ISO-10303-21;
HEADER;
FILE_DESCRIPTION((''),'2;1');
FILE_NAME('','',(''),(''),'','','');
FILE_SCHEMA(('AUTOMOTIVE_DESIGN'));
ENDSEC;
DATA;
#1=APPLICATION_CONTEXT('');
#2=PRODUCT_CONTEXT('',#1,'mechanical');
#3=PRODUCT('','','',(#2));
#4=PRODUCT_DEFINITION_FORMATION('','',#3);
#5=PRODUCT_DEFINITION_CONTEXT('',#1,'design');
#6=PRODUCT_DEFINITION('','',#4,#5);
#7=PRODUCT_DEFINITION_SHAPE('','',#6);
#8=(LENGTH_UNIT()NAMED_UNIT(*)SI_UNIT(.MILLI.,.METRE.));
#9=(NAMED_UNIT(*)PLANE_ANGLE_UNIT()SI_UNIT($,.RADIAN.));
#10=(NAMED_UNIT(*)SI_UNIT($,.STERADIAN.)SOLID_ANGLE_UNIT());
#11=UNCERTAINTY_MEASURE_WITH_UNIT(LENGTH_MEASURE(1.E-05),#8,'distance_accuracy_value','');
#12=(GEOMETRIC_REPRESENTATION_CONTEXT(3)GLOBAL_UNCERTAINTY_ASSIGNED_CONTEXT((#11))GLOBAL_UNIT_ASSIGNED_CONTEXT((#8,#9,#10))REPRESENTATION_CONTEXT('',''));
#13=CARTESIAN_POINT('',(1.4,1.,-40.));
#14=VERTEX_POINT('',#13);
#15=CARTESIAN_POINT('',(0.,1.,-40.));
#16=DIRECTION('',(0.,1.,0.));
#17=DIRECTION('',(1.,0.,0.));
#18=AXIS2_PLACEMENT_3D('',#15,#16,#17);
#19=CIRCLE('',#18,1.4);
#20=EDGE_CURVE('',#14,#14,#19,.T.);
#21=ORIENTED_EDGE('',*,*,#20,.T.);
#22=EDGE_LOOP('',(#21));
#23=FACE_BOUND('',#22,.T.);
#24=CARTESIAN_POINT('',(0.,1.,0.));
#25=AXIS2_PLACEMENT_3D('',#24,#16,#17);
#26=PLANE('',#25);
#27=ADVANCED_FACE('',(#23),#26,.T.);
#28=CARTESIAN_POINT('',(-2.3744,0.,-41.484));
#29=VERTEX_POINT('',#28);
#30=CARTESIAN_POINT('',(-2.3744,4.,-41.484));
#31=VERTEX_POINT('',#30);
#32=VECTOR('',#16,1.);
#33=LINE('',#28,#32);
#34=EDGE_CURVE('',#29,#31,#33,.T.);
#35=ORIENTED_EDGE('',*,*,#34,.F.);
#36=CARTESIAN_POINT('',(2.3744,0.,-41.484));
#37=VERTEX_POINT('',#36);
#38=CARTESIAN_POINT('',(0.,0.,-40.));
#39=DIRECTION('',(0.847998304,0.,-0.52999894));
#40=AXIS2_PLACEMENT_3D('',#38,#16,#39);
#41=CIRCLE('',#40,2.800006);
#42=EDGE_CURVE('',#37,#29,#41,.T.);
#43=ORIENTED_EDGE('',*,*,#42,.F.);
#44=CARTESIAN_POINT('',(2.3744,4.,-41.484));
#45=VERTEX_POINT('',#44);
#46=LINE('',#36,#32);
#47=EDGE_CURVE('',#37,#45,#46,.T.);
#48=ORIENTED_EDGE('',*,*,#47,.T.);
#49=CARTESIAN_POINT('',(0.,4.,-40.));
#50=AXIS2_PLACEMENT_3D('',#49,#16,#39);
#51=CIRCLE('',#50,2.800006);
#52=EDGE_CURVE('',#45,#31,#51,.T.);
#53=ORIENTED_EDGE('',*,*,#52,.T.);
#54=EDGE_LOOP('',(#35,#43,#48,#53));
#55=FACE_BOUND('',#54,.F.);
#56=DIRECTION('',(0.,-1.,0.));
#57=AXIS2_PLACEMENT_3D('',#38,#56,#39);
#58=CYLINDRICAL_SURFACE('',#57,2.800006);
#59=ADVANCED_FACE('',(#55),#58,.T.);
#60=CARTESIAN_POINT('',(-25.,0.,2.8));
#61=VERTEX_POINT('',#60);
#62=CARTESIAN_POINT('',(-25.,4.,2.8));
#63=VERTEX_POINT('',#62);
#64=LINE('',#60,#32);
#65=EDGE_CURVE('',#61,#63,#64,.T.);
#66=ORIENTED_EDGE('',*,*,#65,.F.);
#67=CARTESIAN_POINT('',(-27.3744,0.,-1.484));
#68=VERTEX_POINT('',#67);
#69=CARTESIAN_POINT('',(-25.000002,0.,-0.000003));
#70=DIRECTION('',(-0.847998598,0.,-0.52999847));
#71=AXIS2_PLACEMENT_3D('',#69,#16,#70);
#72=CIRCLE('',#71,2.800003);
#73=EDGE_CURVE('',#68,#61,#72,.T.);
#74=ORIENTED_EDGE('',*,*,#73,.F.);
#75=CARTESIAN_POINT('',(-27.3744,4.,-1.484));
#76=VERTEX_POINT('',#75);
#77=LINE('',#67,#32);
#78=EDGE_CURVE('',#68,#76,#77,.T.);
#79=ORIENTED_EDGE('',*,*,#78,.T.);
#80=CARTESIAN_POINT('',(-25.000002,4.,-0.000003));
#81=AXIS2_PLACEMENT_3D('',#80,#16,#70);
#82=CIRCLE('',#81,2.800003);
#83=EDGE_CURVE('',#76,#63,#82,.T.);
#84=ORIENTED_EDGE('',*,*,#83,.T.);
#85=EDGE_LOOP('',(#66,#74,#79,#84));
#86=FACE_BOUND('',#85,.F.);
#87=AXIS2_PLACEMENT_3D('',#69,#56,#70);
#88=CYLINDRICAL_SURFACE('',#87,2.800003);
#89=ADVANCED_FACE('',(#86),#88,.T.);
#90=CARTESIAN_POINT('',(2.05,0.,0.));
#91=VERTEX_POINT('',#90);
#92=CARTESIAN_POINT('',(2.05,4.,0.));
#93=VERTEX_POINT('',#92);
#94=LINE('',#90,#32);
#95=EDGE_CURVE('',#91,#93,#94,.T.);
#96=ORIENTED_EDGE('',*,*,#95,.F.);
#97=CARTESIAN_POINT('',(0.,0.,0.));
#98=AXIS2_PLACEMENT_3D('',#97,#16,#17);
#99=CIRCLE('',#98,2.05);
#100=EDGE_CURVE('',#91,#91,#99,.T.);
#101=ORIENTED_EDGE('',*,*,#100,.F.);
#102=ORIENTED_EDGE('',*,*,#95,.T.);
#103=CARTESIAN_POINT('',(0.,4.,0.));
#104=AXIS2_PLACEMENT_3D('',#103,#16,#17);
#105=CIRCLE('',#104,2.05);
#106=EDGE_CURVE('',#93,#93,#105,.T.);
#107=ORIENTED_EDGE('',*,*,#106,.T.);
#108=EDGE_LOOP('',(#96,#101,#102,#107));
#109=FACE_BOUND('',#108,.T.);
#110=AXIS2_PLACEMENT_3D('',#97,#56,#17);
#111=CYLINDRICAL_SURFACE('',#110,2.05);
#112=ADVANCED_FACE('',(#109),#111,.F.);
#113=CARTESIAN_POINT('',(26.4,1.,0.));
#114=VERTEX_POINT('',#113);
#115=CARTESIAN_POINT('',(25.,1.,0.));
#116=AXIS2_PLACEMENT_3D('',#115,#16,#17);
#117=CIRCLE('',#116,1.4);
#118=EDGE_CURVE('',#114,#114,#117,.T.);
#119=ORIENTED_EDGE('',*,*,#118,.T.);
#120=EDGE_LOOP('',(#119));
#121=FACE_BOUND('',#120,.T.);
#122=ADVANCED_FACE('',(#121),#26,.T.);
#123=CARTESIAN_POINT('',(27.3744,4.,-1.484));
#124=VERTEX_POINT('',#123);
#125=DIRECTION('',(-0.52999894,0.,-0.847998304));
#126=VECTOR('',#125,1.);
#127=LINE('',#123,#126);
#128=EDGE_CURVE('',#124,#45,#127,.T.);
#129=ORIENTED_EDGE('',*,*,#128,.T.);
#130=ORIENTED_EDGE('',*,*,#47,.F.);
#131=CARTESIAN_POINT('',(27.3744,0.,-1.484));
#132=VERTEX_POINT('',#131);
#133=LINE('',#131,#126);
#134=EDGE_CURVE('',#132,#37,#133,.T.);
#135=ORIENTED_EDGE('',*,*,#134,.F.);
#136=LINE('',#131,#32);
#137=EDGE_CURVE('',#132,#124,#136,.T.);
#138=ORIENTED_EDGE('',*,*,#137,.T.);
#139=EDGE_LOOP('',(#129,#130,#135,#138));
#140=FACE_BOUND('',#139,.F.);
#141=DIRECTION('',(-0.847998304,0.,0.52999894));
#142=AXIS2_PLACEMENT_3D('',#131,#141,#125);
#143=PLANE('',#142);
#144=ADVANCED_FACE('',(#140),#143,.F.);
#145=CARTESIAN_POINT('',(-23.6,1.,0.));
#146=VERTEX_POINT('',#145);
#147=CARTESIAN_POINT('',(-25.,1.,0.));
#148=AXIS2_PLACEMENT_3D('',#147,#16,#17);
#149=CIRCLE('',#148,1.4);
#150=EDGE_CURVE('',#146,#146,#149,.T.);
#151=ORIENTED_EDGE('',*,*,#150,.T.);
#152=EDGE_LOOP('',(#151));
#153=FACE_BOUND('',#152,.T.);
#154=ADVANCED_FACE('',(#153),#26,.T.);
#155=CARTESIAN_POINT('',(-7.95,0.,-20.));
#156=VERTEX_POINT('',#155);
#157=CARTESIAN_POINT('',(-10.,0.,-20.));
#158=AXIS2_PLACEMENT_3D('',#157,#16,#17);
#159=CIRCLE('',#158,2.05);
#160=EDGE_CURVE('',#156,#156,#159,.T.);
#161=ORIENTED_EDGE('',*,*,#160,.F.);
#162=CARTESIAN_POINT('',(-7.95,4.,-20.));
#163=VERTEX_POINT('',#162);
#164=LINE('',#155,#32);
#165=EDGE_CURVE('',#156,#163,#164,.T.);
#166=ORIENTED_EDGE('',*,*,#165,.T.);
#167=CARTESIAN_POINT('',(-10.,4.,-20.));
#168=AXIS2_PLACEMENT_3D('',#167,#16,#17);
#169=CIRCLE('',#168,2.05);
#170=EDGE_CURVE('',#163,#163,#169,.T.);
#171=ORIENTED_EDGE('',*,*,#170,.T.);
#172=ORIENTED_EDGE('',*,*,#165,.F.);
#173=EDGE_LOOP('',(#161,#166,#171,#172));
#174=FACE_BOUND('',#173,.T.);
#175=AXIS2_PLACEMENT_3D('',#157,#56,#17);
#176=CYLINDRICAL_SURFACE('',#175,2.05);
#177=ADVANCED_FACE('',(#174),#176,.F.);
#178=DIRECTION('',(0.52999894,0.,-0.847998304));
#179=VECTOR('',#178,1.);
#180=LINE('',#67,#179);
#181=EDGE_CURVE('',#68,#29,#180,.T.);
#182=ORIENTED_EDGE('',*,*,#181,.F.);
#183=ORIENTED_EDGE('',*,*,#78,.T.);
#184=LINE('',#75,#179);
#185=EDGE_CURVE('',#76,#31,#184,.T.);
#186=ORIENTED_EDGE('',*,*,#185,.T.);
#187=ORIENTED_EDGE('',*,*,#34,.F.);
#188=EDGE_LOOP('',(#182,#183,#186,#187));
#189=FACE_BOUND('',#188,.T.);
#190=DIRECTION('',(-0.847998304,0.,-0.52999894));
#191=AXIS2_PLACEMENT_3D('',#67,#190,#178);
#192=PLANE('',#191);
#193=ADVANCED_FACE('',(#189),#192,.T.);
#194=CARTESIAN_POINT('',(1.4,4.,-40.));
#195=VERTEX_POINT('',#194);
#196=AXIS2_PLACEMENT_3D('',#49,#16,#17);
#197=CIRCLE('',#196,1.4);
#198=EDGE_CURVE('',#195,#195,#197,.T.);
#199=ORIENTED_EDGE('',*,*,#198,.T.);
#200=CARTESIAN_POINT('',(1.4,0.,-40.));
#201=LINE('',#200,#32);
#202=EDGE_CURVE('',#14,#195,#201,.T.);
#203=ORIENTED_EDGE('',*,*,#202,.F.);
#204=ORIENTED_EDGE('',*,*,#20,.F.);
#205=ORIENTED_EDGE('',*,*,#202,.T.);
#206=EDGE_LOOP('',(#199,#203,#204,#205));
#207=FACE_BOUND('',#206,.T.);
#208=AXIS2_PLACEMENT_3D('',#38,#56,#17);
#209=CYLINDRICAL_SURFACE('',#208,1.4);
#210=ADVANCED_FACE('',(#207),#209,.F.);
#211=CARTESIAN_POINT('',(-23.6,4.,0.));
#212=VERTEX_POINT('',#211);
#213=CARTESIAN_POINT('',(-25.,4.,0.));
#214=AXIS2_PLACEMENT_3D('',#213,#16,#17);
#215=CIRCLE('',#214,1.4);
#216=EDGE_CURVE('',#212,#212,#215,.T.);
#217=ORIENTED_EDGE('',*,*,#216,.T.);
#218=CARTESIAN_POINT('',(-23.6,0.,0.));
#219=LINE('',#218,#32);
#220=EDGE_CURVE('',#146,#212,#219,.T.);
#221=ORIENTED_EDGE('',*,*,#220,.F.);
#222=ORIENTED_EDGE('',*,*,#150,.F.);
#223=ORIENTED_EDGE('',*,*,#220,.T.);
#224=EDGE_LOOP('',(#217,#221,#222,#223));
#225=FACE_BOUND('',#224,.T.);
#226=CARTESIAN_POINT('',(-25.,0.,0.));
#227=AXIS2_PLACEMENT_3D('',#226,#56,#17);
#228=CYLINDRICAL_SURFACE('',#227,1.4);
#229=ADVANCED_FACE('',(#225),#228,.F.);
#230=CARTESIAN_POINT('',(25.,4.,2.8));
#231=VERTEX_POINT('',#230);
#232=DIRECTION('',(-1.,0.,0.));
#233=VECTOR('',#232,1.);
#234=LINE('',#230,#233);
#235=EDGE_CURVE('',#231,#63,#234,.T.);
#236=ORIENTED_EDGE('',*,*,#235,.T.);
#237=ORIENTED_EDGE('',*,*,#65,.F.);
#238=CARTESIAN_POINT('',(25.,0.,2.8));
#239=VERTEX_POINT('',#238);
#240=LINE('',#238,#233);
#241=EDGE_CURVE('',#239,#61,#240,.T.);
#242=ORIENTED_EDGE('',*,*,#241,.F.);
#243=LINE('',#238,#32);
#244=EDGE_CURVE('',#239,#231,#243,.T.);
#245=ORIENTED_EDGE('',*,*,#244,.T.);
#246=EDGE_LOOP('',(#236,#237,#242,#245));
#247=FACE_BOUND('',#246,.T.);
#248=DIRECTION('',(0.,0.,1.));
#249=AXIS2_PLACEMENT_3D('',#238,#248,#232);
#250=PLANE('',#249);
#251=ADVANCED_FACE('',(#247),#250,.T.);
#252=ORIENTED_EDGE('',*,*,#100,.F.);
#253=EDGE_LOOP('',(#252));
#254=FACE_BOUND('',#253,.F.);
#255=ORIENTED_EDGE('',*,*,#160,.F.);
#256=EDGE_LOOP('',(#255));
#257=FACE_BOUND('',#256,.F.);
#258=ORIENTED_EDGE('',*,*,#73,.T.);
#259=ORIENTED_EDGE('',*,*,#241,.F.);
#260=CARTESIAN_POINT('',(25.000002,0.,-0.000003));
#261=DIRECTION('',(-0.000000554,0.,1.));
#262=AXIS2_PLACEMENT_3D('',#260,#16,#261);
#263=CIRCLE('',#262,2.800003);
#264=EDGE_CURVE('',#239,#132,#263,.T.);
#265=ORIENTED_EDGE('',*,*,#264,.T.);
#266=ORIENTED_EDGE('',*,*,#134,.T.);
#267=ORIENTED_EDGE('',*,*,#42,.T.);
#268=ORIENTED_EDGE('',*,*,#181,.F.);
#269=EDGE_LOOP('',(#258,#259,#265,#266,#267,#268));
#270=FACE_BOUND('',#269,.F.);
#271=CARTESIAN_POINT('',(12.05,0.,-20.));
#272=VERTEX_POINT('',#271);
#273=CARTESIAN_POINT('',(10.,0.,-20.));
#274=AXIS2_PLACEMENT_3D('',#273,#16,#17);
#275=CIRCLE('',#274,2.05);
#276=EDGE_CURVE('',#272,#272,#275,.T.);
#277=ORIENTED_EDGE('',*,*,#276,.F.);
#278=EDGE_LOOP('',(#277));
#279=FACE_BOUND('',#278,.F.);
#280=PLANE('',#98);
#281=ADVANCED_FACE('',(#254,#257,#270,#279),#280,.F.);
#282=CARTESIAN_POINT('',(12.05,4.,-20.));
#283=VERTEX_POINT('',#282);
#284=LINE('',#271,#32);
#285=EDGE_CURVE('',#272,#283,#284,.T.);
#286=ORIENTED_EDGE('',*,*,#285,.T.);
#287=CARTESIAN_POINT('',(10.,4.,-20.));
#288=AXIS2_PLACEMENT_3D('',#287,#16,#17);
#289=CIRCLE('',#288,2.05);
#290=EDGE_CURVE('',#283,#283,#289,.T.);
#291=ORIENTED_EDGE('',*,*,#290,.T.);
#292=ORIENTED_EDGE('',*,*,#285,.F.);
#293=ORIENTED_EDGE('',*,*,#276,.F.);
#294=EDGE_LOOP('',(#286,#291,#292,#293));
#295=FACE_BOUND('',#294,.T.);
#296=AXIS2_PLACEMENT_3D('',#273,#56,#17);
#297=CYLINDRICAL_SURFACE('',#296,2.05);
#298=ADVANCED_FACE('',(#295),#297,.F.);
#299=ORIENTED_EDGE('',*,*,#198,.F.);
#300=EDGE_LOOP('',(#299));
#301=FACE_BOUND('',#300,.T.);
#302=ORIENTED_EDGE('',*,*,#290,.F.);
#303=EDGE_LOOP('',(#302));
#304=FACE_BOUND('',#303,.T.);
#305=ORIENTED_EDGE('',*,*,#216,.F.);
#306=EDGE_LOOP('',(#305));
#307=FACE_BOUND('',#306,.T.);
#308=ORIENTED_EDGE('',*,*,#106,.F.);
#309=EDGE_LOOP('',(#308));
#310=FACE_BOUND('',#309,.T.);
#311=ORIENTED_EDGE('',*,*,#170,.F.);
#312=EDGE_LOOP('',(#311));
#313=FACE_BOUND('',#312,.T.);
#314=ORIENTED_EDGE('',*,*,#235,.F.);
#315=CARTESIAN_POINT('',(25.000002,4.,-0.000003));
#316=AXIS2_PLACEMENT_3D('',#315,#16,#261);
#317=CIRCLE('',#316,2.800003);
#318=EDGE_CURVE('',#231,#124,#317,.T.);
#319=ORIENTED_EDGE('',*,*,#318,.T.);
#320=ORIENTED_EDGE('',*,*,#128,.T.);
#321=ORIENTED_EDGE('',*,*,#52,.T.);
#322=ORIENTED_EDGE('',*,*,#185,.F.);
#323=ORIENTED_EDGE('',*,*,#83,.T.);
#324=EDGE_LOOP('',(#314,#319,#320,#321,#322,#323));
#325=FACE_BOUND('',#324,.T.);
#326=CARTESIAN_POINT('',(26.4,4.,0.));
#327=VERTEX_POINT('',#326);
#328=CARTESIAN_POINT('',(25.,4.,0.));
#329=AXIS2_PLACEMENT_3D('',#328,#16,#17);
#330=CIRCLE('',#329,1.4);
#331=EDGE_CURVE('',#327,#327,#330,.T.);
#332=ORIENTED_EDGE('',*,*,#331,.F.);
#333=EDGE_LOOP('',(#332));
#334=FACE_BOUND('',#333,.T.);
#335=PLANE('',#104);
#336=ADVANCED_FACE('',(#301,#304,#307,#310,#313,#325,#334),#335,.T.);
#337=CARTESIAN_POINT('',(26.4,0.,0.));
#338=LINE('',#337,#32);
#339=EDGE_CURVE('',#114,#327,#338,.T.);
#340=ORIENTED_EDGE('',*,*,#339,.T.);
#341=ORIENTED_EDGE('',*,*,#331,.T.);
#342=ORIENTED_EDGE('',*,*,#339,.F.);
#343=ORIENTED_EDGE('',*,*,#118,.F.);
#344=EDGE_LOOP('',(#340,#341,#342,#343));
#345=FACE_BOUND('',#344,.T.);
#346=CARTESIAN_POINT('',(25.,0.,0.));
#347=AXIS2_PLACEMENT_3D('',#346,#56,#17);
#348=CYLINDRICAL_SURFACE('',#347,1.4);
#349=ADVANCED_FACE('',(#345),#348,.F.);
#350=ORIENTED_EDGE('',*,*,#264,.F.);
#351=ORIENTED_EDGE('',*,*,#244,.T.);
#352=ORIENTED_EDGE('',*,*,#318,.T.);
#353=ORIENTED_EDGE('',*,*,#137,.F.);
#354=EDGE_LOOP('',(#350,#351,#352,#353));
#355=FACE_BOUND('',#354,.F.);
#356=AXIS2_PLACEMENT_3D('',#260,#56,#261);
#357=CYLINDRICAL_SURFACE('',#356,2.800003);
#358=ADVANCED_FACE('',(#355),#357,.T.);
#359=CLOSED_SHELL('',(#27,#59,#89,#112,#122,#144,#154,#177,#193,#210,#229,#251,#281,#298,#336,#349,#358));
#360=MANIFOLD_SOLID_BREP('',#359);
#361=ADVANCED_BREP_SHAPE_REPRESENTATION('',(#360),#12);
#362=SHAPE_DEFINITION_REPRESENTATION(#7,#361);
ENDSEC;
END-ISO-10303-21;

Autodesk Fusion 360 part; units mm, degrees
sketch "Sketch1" plane through (0, 0, 0) normal (0, 1, 0) x (1, 0, 0)
  circle A0 centre (0, 40) radius 1.4
  circle A1 centre (-25, 0) radius 1.4
  circle A2 centre (25, 0) radius 1.4
  line L0 (-25, 0) -> (25, 0) construction
  line L1 (0, 0) -> (0, 40) construction
  line L2 (-27.3744, 1.484) -> (-2.3744, 41.484)
  line L3 (25, -2.8) -> (-25, -2.8)
  line L4 (27.3744, 1.484) -> (2.3744, 41.484)
  arc A3 (25, -2.8) -> (27.3744, 1.484) centre (25, 0) ccw
  arc A4 (-27.3744, 1.484) -> (-25, -2.8) centre (-25, 0) ccw
  arc A5 (2.3744, 41.484) -> (-2.3744, 41.484) centre (0, 40) ccw
  circle A6 centre (-10, 20) radius 2.05
  circle A7 centre (10, 20) radius 2.05
  circle A8 centre (0, 0) radius 2.05
  line L5 (0, 0) -> (0, -2.8) construction
  circle A9 centre (0, 12.5) radius 3.5
  line L6 (0, 12.5) -> (-10, 20) construction
  line L7 (0, 12.5) -> (0, 0) construction
  dimension "d16" = 2.8
  dimension "d19" = 50
  dimension "d21" = 40
  dimension "d22" = 1.4
  dimension "d23" = 1.4
  dimension "d24" = 4.1
  dimension "d28" = 7
  dimension "d36" = 20
  dimension "d37" = 10
extrude "Extrude1" add sketch "Sketch1" along normal blind 4 contours L2 L3 L4 A3 A4 A5 | A9 makes body 1
extrude "Extrude2" add sketch "Sketch1" along normal blind 7.5 separate body contours A0 | A1 | A2 | L2 L3 L4 A3 A4 A5 makes body 2
extrude "Extrude3" add sketch "Sketch1" along normal blind 1 contours A0 | A1 | A2 bodies 1
extrude "Extrude5" add sketch "Sketch1" along normal blind 1 contours A6 | A7 | A8 bodies 2
extrude "Extrude6" add sketch "Sketch1" along normal blind 5 separate body contours L2 L3 L4 A3 A4 A5 | A6 | A7 | A8 | A9 makes body 3
hidden bodies 2 3
equation "holeDiam = 2.8 mm"
equation "RodHoleDiam = 4.1 mm"
equation "d16 = holeDiam"
equation "d22 = holeDiam / 2"
equation "d23 = holeDiam / 2"
equation "d24 = RodHoleDiam"
